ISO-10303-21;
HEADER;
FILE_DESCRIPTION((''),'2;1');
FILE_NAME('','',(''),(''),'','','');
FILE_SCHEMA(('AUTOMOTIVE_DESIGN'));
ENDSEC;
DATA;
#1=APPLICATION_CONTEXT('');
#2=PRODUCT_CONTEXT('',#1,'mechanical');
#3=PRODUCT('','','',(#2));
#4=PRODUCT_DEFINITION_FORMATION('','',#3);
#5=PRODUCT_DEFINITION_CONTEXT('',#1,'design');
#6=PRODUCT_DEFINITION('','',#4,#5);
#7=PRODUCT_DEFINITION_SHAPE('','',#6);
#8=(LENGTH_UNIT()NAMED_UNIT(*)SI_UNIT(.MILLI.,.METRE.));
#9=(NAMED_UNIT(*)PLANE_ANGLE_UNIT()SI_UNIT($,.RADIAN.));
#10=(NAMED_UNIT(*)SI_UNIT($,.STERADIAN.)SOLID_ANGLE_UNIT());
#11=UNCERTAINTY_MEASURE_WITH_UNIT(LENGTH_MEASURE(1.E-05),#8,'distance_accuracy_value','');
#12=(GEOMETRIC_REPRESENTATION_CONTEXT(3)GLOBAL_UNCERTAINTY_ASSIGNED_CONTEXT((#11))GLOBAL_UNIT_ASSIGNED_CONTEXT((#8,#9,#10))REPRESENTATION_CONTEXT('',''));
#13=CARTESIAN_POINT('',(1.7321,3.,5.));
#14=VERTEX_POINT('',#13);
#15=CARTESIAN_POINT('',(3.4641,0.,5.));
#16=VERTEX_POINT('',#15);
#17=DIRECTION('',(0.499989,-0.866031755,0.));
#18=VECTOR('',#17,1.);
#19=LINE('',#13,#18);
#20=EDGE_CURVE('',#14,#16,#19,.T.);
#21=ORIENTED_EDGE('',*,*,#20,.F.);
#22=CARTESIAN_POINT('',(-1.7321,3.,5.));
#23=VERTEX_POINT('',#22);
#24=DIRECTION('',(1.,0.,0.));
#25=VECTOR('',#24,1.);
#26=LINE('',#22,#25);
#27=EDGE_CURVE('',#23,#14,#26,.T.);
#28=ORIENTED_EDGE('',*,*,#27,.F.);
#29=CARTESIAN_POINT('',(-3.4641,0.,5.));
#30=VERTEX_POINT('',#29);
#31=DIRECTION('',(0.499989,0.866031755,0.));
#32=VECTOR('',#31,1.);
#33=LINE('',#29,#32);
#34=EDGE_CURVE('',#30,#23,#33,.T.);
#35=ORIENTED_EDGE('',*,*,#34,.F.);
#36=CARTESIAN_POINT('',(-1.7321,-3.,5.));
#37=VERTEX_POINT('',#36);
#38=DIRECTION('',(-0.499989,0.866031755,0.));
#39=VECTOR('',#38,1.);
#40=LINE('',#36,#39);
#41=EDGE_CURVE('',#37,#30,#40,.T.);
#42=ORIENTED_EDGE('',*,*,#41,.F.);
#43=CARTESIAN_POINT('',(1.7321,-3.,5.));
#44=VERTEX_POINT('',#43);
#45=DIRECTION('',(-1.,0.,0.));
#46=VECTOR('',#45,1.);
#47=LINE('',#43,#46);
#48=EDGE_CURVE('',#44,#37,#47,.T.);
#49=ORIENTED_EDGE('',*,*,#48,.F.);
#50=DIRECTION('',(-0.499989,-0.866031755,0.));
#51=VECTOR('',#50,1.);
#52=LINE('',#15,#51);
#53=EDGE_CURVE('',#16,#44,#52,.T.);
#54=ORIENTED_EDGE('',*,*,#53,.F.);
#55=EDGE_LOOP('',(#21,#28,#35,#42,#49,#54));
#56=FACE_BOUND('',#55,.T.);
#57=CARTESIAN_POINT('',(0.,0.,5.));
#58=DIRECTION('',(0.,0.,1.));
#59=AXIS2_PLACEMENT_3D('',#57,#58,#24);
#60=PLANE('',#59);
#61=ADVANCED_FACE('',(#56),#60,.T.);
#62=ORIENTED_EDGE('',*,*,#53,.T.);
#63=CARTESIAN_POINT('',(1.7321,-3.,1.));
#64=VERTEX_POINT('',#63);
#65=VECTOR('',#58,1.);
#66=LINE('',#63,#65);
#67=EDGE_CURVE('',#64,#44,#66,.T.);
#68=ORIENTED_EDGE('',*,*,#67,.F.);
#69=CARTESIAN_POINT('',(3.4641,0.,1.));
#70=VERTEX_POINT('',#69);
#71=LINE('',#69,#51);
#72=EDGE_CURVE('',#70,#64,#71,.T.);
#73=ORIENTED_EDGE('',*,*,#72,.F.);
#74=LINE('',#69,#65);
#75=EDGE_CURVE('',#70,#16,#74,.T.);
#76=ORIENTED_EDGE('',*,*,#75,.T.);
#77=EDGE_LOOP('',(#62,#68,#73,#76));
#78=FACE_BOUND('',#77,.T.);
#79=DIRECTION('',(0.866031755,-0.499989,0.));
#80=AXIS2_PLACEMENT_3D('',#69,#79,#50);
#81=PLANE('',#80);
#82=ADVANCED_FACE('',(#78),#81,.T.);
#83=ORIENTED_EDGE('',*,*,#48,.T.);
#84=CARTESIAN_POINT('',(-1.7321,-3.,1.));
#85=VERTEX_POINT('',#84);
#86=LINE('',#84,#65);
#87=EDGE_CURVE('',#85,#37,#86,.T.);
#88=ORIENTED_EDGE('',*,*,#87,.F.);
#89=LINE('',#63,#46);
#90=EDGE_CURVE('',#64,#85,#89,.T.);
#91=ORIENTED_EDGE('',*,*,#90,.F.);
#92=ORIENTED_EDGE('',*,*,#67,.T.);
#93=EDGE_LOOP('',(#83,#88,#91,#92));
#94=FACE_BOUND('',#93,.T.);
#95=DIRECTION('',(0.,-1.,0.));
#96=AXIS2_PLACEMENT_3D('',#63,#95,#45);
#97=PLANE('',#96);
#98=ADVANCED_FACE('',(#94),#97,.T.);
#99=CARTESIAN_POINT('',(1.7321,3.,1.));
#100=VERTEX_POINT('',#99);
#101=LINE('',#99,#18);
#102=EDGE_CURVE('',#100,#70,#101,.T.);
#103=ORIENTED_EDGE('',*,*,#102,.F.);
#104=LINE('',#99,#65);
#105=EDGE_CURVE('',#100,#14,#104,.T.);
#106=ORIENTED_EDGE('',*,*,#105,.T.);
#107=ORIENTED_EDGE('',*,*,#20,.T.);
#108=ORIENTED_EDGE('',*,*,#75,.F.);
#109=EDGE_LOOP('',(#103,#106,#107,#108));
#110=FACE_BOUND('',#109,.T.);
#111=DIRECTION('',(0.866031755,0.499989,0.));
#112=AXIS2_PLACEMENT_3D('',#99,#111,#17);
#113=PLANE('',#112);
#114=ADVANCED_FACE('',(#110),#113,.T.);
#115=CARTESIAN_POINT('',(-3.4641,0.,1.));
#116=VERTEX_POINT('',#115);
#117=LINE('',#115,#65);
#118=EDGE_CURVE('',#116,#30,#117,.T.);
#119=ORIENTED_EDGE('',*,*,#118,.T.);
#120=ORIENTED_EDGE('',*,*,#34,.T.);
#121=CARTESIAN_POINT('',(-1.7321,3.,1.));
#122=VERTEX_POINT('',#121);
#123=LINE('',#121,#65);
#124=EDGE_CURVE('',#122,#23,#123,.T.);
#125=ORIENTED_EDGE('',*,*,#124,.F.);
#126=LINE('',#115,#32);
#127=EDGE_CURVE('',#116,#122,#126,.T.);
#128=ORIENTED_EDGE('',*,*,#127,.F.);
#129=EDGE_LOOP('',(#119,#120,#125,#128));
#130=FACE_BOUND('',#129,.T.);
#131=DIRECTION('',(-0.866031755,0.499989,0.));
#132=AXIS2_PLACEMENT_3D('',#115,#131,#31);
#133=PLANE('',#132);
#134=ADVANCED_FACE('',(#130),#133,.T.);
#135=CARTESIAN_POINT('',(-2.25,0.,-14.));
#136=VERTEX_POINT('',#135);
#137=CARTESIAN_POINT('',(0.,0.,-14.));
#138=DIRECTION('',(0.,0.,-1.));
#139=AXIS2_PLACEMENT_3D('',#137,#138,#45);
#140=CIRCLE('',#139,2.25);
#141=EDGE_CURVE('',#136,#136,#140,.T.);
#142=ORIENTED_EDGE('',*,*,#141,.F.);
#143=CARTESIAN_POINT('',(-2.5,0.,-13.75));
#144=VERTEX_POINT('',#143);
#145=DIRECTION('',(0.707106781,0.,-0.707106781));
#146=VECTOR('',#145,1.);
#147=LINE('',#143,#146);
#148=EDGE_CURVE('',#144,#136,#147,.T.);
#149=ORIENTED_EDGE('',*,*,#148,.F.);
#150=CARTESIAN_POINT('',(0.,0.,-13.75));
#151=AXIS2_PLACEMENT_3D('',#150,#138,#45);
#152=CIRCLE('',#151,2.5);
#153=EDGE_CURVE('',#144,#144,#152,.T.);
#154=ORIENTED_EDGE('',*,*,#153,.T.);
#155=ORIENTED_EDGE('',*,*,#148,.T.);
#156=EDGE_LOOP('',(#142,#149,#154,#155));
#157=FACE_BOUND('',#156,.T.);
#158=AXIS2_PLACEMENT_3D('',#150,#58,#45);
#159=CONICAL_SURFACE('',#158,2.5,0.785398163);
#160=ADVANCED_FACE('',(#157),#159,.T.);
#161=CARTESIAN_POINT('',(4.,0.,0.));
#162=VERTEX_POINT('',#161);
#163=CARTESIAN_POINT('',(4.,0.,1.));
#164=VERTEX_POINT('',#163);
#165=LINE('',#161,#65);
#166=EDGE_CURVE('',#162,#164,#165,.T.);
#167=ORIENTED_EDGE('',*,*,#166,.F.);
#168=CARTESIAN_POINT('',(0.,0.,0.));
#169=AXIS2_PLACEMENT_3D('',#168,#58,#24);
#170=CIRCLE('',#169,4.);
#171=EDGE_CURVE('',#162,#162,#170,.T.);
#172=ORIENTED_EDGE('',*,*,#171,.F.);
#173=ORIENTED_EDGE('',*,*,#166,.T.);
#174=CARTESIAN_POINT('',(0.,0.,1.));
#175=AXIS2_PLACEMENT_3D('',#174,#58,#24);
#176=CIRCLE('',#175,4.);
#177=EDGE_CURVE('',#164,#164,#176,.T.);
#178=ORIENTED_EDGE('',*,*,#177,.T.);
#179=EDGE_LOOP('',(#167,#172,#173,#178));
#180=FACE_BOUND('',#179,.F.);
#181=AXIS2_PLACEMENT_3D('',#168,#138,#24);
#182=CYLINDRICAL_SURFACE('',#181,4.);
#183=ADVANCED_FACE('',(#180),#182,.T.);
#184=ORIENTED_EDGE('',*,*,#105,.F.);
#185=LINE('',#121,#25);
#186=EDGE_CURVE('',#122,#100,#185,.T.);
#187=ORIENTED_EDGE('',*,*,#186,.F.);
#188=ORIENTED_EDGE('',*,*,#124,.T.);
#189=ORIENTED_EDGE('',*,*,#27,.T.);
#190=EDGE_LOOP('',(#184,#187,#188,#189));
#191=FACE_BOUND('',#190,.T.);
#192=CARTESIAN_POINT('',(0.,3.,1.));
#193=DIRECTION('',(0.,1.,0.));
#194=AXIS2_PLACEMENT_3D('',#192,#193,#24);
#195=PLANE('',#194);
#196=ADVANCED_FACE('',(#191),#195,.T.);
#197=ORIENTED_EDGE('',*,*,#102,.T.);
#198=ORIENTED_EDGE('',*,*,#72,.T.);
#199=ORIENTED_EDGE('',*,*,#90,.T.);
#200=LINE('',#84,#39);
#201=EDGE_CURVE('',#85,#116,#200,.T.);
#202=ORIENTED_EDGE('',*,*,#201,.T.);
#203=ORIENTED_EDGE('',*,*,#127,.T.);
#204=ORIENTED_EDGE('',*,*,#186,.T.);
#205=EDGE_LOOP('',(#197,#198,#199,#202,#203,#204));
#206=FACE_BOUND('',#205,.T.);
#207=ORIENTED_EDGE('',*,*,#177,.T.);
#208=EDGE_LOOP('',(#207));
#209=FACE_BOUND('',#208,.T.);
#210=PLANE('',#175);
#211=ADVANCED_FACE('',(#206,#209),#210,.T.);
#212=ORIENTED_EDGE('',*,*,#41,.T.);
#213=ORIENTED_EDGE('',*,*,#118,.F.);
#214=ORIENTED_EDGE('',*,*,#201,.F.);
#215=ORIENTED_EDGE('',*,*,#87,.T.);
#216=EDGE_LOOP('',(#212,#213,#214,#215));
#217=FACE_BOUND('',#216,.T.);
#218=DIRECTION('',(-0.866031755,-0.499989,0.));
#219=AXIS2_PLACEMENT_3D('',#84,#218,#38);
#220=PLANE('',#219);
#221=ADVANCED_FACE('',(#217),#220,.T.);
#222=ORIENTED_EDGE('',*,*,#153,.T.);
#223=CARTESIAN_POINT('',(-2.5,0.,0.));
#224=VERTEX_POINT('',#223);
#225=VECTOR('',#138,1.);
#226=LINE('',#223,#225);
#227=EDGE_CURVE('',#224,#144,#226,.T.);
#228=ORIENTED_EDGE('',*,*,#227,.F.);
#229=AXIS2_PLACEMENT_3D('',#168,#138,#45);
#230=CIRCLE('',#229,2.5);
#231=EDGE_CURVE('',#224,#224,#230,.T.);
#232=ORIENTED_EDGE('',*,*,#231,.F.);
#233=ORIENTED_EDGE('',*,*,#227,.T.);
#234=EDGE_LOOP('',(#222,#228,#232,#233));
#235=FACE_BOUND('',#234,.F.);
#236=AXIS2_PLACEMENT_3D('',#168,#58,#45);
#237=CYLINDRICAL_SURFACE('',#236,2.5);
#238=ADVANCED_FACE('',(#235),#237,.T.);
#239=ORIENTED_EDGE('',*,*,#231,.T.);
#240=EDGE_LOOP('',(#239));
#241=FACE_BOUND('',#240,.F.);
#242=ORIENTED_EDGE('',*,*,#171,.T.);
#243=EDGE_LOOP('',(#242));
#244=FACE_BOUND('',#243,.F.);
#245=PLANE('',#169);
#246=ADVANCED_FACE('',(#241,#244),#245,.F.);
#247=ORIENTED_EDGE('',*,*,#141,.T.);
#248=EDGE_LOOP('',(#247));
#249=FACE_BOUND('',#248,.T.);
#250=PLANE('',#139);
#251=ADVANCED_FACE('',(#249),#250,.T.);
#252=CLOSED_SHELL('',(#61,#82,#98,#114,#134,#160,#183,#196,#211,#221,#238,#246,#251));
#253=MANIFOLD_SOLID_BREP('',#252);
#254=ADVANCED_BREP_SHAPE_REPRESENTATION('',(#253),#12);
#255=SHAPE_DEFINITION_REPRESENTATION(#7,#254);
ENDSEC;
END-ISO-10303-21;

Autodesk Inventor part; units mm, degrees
ref_plane "YZ Plane" through (0, 0, 0) normal (1, 0, 0) x (0, 1, 0)
ref_plane "XZ Plane" through (0, 0, 0) normal (0, 1, 0) x (-1, 0, 0)
ref_plane "XY Plane" through (0, 0, 0) normal (0, 0, 1) x (1, 0, 0)
sketch "草图1" plane through (0, 0, 0) normal (0, 0, 1) x (1, 0, 0)
  circle A0 centre (0, 0) radius 4
  dimension "d0" = 8
extrude "拉伸1" add sketch "草图1" along normal blind 1
sketch "草图2" plane through (0, 0, 1) normal (0, 0, 1) x (1, 0, 0)
  line L0 (1.7321, -3) -> (-1.7321, -3)
  line L1 (-1.7321, -3) -> (-3.4641, 0)
  line L2 (-3.4641, 0) -> (-1.7321, 3)
  line L3 (-1.7321, 3) -> (1.7321, 3)
  line L4 (1.7321, 3) -> (3.4641, 0)
  line L5 (3.4641, 0) -> (1.7321, -3)
  line L6 (0, 0) -> (0, 3)
  dimension "d3" = 6
extrude "拉伸2" add sketch "草图2" along normal blind 4
sketch "草图3" plane through (0, 0, 0) normal (0, 0, -1) x (-1, 0, 0)
  circle A0 centre (0, 0) radius 2.5
  dimension "d6" = 5
extrude "拉伸3" add sketch "草图3" along normal blind 14
thread "螺纹1" size "M5x0.8" class "6g" standard "ANSI Metric M Profile" length 5
chamfer "倒角1" distance 0.25 angle 45 1 edges at (2.5, 0, -14)
properties part number "分离水箱固定螺丝"
